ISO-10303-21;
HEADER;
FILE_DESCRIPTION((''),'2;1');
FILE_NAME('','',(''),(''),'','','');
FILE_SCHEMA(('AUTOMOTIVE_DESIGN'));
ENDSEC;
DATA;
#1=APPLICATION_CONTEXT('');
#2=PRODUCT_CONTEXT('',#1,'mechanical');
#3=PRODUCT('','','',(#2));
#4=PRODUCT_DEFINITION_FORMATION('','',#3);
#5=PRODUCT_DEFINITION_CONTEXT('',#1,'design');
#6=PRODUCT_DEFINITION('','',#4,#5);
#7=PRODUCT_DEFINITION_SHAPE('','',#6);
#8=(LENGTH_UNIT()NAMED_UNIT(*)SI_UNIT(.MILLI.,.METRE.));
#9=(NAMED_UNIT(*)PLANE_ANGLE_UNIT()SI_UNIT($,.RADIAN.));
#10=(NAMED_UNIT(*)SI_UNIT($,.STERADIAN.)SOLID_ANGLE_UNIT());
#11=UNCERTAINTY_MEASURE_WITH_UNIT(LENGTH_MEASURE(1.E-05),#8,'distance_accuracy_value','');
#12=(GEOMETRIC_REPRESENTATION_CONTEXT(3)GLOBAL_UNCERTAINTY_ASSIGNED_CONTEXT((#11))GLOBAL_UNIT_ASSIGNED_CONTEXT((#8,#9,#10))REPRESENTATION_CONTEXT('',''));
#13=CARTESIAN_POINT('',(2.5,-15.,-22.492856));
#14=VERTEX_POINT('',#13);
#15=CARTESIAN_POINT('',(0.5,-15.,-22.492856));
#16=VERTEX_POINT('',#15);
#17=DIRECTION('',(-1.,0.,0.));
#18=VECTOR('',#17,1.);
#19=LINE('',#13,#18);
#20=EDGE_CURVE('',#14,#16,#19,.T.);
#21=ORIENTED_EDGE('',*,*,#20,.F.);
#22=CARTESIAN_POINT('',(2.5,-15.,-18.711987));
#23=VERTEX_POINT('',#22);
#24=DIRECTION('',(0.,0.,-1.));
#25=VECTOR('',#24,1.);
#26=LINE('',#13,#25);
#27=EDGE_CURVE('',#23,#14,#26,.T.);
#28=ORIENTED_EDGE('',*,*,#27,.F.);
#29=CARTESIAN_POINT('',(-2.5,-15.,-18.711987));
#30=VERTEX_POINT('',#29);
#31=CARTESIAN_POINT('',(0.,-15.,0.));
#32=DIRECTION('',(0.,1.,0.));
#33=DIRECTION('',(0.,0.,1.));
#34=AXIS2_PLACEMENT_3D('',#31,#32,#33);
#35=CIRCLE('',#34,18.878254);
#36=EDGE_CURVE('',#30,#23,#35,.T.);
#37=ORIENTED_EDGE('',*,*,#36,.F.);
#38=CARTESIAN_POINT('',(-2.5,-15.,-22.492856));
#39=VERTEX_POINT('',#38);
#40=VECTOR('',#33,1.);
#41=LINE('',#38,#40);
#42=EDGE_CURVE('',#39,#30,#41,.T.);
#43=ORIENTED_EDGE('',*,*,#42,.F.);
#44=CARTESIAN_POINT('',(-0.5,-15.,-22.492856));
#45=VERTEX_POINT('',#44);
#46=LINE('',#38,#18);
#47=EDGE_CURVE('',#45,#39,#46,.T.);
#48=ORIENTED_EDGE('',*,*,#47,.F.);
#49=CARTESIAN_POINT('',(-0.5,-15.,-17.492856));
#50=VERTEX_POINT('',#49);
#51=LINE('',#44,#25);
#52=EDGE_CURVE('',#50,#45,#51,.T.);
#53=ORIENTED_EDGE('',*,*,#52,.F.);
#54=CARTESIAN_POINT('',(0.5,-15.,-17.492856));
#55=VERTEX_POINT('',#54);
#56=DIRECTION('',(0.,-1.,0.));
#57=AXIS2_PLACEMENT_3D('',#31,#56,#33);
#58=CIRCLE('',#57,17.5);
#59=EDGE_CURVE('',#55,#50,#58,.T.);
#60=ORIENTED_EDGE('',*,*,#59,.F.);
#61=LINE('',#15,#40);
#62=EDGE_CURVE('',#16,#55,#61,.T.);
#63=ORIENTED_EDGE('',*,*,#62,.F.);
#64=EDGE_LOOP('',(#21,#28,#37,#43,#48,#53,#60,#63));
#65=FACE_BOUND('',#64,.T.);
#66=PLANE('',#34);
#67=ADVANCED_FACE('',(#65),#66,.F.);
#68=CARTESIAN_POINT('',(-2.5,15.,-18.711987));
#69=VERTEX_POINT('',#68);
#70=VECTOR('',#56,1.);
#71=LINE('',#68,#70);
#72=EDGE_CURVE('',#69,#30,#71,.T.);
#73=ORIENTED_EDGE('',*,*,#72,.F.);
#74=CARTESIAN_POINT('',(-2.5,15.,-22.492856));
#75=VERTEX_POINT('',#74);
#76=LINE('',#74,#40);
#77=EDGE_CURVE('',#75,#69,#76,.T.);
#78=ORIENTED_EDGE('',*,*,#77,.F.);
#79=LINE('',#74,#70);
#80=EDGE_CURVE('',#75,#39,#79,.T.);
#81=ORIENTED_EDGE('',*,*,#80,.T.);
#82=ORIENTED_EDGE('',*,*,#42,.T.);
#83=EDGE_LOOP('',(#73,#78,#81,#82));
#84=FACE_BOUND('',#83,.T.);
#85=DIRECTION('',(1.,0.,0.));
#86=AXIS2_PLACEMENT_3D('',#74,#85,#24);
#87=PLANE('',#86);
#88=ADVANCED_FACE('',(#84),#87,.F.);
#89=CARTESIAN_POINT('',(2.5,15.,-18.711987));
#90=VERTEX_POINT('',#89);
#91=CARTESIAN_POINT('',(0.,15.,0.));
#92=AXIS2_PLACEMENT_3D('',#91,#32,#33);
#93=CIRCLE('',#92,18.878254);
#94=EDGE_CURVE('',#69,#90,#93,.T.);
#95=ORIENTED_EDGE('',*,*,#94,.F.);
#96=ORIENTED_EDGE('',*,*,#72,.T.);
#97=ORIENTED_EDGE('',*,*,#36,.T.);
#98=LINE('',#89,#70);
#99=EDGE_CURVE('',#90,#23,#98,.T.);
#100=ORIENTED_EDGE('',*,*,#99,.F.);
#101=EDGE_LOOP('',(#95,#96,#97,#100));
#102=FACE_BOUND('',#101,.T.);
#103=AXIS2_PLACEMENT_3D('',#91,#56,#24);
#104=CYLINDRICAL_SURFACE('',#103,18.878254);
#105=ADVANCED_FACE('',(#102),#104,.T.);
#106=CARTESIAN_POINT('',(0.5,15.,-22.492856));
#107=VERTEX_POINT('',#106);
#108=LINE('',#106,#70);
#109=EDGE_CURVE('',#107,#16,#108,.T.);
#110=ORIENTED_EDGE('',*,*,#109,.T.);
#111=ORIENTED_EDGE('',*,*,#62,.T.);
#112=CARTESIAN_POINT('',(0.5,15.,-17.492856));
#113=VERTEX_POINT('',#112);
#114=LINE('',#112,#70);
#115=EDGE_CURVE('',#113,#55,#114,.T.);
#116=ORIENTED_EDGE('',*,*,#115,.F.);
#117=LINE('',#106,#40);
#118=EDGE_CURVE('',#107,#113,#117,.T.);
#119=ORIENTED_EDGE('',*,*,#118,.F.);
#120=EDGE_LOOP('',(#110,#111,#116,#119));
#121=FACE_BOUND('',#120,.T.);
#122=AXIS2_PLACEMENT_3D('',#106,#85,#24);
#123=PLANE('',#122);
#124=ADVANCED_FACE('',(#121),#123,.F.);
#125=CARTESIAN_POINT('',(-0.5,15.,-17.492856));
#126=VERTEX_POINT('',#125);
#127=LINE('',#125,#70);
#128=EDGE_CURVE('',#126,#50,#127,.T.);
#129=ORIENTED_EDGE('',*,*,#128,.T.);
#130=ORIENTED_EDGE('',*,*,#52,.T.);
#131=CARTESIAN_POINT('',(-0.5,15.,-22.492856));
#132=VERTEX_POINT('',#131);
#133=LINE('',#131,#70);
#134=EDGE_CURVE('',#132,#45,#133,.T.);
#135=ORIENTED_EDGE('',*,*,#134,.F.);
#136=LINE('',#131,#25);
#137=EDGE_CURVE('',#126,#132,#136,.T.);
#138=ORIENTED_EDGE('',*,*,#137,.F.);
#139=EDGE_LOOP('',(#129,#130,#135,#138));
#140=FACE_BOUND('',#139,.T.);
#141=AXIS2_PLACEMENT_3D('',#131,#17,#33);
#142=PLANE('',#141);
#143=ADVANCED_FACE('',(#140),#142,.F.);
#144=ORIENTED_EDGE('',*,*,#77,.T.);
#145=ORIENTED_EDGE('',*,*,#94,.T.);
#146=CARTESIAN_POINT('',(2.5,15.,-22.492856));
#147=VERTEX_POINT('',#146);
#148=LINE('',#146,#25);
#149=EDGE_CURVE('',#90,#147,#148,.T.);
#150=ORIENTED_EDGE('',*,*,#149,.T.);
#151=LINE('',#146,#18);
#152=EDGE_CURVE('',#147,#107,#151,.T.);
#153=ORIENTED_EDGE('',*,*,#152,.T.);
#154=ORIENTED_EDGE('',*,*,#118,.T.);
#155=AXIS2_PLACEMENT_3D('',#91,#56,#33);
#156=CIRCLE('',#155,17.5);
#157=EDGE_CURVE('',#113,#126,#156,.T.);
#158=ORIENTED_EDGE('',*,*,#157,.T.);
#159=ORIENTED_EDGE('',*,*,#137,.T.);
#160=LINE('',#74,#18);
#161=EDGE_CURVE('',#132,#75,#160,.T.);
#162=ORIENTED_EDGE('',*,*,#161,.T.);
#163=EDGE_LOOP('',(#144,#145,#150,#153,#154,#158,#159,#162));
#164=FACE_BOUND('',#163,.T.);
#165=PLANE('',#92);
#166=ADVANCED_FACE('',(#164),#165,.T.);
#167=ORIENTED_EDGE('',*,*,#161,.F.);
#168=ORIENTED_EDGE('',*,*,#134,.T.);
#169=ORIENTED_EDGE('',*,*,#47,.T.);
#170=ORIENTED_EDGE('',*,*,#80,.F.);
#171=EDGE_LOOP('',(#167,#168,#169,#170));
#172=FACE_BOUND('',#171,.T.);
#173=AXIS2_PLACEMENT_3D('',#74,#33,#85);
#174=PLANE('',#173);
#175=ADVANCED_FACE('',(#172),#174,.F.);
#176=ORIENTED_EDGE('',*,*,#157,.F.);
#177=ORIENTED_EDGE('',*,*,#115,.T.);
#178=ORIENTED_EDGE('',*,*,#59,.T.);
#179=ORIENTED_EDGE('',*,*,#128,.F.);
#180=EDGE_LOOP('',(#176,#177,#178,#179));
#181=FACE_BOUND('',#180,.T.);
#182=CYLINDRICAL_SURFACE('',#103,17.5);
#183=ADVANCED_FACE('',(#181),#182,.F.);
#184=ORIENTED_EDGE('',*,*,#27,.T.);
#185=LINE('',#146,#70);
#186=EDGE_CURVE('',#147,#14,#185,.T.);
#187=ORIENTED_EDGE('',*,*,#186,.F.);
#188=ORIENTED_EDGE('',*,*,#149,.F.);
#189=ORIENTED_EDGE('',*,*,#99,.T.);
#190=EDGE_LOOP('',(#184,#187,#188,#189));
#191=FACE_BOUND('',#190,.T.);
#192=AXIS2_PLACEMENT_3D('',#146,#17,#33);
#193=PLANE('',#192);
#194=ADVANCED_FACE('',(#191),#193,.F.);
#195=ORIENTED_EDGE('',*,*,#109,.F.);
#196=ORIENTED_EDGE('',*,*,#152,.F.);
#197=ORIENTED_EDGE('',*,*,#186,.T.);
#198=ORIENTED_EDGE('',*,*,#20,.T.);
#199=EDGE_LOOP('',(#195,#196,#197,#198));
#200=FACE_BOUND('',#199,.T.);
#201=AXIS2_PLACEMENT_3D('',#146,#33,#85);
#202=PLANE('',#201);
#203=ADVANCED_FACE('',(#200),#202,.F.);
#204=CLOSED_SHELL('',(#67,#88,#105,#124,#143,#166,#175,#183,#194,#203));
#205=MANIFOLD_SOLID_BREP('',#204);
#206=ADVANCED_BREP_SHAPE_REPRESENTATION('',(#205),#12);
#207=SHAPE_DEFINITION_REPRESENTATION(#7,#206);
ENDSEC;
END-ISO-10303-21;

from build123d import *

# Parameters (mm, degrees)
BOSS_EXTRUDE1_DEPTH = 15


with BuildPart() as part:
    # Sketch1 → Boss-Extrude1 (new, symmetric)
    with BuildSketch(Plane(origin=(0, 0, 0), x_dir=(1, 0, 0), z_dir=(0, 1, 0))):
        with BuildLine():
            Line((-2.5, 22.492855685), (-2.5, 18.711987258))
            ThreePointArc((-2.5, 18.711987258), (0, -18.878253816), (2.5, 18.711987258))
            Line((2.5, 18.711987258), (2.5, 22.492855685))
            Line((2.5, 22.492855685), (0.5, 22.492855685))
            Line((0.5, 22.492855685), (0.5, 17.492855685))
            ThreePointArc((0.5, 17.492855685), (0, -17.5), (-0.5, 17.492855685))
            Line((-0.5, 17.492855685), (-0.5, 22.492855685))
            Line((-0.5, 22.492855685), (-2.5, 22.492855685))
        make_face()
    extrude(amount=BOSS_EXTRUDE1_DEPTH, both=True)


solid = part.part
